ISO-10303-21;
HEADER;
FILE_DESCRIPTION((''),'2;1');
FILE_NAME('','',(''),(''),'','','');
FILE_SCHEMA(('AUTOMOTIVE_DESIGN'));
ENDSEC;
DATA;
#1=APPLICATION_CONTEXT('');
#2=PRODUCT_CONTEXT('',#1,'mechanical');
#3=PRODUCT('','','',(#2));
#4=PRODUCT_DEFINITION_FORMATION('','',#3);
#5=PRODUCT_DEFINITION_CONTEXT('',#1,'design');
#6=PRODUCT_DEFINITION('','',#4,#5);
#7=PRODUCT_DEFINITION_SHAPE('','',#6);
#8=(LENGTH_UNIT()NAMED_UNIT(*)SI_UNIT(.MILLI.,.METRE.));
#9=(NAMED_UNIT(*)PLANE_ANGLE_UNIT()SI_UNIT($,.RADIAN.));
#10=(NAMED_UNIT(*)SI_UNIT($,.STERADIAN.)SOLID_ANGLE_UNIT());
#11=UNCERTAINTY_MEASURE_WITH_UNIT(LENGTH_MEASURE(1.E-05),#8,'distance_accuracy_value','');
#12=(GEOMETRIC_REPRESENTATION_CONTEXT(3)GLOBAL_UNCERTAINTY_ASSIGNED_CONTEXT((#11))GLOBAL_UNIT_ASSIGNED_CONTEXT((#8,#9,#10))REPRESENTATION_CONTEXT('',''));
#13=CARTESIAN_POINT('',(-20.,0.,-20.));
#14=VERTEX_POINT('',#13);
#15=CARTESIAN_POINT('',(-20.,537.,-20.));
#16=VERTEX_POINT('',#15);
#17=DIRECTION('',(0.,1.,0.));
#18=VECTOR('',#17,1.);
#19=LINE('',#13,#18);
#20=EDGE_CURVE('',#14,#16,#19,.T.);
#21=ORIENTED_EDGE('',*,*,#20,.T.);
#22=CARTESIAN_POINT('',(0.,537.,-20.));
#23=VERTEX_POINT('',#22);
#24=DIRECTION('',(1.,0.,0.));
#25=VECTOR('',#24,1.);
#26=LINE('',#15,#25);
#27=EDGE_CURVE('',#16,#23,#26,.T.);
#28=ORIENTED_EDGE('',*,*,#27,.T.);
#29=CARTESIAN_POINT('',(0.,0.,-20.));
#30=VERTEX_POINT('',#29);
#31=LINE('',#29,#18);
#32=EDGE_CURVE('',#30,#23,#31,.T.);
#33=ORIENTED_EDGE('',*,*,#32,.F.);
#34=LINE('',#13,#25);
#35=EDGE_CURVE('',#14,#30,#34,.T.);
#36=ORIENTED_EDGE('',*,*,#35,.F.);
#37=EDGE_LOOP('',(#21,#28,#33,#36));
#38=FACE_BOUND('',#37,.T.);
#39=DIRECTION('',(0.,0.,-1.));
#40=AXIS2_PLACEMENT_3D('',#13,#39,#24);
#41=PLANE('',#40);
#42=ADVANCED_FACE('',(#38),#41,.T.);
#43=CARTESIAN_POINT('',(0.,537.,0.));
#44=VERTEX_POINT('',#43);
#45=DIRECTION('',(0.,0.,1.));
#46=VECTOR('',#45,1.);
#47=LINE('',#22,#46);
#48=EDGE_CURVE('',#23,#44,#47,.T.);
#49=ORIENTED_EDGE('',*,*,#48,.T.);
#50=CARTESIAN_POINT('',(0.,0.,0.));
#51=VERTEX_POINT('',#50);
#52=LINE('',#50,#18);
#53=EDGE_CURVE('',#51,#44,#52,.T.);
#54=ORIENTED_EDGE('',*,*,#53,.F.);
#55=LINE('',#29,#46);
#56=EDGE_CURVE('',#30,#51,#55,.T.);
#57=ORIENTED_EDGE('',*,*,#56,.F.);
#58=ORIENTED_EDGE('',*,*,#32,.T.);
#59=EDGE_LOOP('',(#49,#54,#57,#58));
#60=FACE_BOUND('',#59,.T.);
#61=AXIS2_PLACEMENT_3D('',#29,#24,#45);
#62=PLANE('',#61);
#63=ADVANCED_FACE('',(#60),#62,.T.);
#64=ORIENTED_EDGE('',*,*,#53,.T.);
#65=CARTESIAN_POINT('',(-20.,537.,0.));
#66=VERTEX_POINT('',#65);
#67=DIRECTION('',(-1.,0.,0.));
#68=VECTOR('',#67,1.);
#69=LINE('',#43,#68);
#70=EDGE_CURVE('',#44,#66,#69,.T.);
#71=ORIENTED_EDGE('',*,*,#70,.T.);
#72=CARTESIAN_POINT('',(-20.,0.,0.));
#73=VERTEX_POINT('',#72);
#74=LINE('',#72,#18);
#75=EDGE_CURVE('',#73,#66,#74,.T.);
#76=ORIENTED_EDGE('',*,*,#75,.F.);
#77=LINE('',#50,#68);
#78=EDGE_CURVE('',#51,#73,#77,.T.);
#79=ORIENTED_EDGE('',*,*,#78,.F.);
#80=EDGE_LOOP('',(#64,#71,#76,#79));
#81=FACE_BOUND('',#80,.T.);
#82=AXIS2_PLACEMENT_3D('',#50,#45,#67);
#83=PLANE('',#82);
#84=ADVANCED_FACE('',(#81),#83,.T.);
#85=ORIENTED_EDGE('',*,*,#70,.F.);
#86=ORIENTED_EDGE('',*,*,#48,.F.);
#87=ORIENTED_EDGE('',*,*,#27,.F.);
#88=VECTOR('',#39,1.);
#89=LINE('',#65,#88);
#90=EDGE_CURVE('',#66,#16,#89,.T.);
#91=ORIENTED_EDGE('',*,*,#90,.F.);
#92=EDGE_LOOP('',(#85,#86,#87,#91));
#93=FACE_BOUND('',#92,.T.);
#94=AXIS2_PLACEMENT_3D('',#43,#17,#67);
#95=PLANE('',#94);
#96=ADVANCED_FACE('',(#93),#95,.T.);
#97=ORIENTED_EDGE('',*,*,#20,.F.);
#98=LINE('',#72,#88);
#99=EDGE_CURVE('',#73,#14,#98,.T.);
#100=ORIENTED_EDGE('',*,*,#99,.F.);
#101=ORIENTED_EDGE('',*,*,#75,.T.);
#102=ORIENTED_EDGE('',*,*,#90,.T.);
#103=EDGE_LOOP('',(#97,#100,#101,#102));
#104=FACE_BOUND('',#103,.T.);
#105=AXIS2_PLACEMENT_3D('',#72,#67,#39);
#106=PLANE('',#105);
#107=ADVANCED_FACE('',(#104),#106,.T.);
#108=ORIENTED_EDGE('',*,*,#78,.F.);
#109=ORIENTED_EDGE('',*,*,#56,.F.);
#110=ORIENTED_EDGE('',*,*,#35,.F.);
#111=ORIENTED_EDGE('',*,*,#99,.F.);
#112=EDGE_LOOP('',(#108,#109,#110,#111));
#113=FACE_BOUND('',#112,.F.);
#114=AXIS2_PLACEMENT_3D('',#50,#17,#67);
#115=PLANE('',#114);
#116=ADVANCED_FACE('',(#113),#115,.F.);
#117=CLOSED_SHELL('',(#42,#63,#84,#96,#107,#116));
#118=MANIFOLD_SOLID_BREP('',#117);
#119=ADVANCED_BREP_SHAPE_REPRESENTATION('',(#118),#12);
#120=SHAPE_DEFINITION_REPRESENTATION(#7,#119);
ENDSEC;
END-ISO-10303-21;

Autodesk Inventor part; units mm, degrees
ref_plane "YZ Plane" through (0, 0, 0) normal (1, 0, 0) x (0, 1, 0)
ref_plane "XZ Plane" through (0, 0, 0) normal (0, 1, 0) x (-1, 0, 0)
ref_plane "XY Plane" through (0, 0, 0) normal (0, 0, 1) x (1, 0, 0)
sketch "スケッチ1" plane through (0, 0, 0) normal (0, 1, 0) x (-1, 0, 0)
  line L0 (0, 0) -> (20, 0)
  line L1 (20, 0) -> (20, -20)
  line L2 (20, -20) -> (0, -20)
  line L3 (0, -20) -> (0, 0)
  dimension "d0" = 20
  dimension "d1" = 20
extrude "押し出し1" add sketch "スケッチ1" along normal blind 537
properties part number "frame537"
